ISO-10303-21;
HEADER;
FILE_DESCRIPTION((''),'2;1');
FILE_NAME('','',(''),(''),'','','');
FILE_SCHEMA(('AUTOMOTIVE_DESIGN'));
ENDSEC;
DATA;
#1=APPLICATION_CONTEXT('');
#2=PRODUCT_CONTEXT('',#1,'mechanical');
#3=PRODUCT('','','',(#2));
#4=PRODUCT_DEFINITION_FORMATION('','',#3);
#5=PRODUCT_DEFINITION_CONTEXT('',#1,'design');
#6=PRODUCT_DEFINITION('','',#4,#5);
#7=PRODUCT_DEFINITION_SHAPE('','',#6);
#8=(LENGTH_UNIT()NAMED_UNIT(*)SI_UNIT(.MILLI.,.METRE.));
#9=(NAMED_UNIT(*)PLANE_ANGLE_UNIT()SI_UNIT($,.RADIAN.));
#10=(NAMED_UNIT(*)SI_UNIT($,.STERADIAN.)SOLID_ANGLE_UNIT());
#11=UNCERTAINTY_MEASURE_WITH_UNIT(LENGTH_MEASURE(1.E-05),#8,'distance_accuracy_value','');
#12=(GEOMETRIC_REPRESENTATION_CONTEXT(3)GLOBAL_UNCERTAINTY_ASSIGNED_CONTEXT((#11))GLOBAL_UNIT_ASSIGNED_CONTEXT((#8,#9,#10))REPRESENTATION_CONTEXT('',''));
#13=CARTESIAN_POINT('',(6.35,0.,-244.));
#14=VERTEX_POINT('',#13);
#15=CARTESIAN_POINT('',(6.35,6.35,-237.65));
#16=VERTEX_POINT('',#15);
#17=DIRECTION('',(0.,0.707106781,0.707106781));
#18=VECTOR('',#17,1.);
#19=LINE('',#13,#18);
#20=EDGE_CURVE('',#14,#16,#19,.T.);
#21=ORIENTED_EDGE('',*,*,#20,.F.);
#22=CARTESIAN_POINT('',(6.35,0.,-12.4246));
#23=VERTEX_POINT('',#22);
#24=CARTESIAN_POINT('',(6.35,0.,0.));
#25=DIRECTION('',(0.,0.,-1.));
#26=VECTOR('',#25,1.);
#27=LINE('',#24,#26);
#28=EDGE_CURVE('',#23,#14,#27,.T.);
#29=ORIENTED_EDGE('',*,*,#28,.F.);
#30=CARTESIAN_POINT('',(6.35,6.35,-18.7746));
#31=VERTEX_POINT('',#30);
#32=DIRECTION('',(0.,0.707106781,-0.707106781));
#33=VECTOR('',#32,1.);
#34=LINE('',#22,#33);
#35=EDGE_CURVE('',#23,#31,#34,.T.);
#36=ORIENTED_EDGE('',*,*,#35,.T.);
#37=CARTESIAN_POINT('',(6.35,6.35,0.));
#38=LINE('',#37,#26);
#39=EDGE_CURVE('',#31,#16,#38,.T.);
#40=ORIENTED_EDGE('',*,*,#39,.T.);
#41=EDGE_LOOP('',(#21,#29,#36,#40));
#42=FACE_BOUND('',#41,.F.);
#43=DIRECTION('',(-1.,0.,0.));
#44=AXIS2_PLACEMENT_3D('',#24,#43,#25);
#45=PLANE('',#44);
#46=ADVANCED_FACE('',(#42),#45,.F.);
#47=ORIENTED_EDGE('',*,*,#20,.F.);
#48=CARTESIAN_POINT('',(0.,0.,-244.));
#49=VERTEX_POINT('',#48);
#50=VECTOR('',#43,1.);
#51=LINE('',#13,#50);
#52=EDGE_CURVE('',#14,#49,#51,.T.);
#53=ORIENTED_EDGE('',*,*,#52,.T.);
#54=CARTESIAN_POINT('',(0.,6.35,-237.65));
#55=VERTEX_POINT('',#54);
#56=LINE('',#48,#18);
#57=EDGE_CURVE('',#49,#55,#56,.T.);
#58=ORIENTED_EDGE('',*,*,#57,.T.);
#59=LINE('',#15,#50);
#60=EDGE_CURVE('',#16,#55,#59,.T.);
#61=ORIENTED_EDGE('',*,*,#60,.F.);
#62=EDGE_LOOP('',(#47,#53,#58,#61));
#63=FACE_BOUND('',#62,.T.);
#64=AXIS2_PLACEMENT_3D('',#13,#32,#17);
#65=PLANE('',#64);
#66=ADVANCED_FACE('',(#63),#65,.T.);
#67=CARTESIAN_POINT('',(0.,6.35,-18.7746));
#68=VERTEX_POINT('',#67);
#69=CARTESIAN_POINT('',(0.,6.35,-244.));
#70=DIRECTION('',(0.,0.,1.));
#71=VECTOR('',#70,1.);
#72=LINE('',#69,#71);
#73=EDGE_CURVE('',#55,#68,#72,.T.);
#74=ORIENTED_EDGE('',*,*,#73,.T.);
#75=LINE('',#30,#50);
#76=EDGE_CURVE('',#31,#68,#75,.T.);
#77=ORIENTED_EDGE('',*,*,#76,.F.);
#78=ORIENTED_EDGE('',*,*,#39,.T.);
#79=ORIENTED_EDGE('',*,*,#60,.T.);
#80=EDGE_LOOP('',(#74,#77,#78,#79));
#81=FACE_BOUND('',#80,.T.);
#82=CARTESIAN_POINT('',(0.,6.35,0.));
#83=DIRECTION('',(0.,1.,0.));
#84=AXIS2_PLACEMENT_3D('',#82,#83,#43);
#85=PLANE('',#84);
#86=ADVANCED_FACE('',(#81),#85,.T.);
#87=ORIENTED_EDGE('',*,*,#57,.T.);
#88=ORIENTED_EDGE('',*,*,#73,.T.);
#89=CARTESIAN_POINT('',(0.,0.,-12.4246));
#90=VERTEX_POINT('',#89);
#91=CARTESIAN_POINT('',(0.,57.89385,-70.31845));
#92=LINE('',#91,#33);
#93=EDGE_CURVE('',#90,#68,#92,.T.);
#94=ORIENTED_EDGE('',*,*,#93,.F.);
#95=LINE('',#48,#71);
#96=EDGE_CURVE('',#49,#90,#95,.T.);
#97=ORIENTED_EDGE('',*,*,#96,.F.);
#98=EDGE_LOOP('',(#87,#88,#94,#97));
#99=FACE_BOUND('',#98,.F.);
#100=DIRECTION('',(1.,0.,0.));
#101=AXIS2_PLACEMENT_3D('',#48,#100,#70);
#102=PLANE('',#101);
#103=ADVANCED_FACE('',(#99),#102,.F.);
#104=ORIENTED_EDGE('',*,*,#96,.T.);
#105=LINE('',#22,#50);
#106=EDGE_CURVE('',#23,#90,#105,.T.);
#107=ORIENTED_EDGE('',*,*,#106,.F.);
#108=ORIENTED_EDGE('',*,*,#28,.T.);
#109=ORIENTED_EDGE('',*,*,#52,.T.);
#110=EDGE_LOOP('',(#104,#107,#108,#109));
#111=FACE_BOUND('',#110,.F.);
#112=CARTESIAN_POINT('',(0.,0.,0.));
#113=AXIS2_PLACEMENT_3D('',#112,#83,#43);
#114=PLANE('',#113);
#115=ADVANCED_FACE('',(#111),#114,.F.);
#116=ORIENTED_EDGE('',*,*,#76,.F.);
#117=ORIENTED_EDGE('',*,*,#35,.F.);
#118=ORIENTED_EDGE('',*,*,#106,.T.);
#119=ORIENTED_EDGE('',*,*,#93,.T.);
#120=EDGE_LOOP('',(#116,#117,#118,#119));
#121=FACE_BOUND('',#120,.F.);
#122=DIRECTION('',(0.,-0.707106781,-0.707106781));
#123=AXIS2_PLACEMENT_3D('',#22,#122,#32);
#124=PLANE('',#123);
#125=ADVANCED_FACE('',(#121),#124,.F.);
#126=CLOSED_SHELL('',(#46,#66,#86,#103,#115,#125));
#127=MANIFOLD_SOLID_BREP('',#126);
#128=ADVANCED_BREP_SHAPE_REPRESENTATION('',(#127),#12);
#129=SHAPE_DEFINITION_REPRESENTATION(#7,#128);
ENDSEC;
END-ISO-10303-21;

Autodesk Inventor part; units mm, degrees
ref_plane "YZ Plane" through (0, 0, 0) normal (1, 0, 0) x (0, 1, 0)
ref_plane "XZ Plane" through (0, 0, 0) normal (0, 1, 0) x (-1, 0, 0)
ref_plane "XY Plane" through (0, 0, 0) normal (0, 0, 1) x (1, 0, 0)
sketch "Sketch1" plane through (0, 0, 0) normal (0, 1, 0) x (-1, 0, 0)
  line L0 (0, 0) -> (-6.35, 0)
  line L1 (-6.35, 0) -> (-6.35, -244)
  line L2 (-6.35, -244) -> (0, -244)
  line L3 (0, -244) -> (0, 0)
  dimension "d0" = 6.35
  dimension "d1" = 244
extrude "Extrusion1" add sketch "Sketch1" along normal blind 6.35
sketch "Sketch2" plane through (6.35, 0, 0) normal (1, 0, 0) x (0, 0, -1)
  line L0 (0, 0) -> (244, 0) projected
  line L1 (0, 0) -> (6.35, 6.35)
  line L2 (0, 6.35) -> (244, 6.35) projected
  line L3 (0, 0) -> (8.9803, 0) construction
  line L4 (6.35, 6.35) -> (0, 6.35)
  line L5 (0, 6.35) -> (0, 0)
  dimension "d4" = 45
extrude "Extrusion2" cut sketch "Sketch2" against normal blind 10
sketch "Sketch3" plane through (6.35, 0, -244) normal (1, 0, 0) x (0, 0, -1)
  line L0 (0, 0) -> (-6.35, 6.35)
  line L1 (0, 6.35) -> (-237.65, 6.35) projected
  line L2 (0, 0) -> (8.9803, 0) construction
  line L3 (-6.35, 6.35) -> (0, 6.35)
  line L4 (0, 6.35) -> (0, 0)
  point P0 (-244, 0)
  dimension "d7" = 135
extrude "Extrusion3" cut sketch "Sketch3" against normal blind 10
sketch "Sketch4" plane through (6.35, 0, 0) normal (1, 0, 0) x (0, 0, -1)
  line L0 (0, 0) -> (6.35, 6.35) projected
  line L1 (244, 0) -> (0, 0) projected
  line L2 (6.35, 0) -> (12.4246, 0)
  line L3 (237.65, 6.35) -> (6.35, 6.35) projected
  line L4 (12.4246, 6.35) -> (12.4246, 0)
  line L5 (12.4246, 6.35) -> (6.35, 6.35)
  line L6 (0, 0) -> (6.35, 0)
  line L7 (0, 0) -> (6.35, 6.35)
  dimension "d11" = 6.35
extrude "Extrusion4" cut sketch "Sketch4" against normal blind 10
sketch "Sketch5" plane through (6.35, 0, -12.4246) normal (1, 0, 0) x (0, 0, -1)
  point P0 (-12.4246, 0)
sketch "Sketch6" plane through (6.35, 0, -12.4246) normal (1, 0, 0) x (0, 0, -1)
  line L0 (0, 6.35) -> (0, 0) projected
  line L1 (0, 0) -> (6.35, 6.35)
  line L2 (225.2254, 6.35) -> (0, 6.35) projected
  line L3 (0, 0) -> (8.9803, 0) construction
  line L4 (6.35, 6.35) -> (0, 6.35)
  line L5 (231.5754, 0) -> (0, 0) projected
  line L6 (0, 6.35) -> (0, 0)
  point P0 (-12.4246, 0)
  dimension "d14" = 45
extrude "Extrusion5" cut sketch "Sketch6" against normal blind 10
properties part number "TopTop"
